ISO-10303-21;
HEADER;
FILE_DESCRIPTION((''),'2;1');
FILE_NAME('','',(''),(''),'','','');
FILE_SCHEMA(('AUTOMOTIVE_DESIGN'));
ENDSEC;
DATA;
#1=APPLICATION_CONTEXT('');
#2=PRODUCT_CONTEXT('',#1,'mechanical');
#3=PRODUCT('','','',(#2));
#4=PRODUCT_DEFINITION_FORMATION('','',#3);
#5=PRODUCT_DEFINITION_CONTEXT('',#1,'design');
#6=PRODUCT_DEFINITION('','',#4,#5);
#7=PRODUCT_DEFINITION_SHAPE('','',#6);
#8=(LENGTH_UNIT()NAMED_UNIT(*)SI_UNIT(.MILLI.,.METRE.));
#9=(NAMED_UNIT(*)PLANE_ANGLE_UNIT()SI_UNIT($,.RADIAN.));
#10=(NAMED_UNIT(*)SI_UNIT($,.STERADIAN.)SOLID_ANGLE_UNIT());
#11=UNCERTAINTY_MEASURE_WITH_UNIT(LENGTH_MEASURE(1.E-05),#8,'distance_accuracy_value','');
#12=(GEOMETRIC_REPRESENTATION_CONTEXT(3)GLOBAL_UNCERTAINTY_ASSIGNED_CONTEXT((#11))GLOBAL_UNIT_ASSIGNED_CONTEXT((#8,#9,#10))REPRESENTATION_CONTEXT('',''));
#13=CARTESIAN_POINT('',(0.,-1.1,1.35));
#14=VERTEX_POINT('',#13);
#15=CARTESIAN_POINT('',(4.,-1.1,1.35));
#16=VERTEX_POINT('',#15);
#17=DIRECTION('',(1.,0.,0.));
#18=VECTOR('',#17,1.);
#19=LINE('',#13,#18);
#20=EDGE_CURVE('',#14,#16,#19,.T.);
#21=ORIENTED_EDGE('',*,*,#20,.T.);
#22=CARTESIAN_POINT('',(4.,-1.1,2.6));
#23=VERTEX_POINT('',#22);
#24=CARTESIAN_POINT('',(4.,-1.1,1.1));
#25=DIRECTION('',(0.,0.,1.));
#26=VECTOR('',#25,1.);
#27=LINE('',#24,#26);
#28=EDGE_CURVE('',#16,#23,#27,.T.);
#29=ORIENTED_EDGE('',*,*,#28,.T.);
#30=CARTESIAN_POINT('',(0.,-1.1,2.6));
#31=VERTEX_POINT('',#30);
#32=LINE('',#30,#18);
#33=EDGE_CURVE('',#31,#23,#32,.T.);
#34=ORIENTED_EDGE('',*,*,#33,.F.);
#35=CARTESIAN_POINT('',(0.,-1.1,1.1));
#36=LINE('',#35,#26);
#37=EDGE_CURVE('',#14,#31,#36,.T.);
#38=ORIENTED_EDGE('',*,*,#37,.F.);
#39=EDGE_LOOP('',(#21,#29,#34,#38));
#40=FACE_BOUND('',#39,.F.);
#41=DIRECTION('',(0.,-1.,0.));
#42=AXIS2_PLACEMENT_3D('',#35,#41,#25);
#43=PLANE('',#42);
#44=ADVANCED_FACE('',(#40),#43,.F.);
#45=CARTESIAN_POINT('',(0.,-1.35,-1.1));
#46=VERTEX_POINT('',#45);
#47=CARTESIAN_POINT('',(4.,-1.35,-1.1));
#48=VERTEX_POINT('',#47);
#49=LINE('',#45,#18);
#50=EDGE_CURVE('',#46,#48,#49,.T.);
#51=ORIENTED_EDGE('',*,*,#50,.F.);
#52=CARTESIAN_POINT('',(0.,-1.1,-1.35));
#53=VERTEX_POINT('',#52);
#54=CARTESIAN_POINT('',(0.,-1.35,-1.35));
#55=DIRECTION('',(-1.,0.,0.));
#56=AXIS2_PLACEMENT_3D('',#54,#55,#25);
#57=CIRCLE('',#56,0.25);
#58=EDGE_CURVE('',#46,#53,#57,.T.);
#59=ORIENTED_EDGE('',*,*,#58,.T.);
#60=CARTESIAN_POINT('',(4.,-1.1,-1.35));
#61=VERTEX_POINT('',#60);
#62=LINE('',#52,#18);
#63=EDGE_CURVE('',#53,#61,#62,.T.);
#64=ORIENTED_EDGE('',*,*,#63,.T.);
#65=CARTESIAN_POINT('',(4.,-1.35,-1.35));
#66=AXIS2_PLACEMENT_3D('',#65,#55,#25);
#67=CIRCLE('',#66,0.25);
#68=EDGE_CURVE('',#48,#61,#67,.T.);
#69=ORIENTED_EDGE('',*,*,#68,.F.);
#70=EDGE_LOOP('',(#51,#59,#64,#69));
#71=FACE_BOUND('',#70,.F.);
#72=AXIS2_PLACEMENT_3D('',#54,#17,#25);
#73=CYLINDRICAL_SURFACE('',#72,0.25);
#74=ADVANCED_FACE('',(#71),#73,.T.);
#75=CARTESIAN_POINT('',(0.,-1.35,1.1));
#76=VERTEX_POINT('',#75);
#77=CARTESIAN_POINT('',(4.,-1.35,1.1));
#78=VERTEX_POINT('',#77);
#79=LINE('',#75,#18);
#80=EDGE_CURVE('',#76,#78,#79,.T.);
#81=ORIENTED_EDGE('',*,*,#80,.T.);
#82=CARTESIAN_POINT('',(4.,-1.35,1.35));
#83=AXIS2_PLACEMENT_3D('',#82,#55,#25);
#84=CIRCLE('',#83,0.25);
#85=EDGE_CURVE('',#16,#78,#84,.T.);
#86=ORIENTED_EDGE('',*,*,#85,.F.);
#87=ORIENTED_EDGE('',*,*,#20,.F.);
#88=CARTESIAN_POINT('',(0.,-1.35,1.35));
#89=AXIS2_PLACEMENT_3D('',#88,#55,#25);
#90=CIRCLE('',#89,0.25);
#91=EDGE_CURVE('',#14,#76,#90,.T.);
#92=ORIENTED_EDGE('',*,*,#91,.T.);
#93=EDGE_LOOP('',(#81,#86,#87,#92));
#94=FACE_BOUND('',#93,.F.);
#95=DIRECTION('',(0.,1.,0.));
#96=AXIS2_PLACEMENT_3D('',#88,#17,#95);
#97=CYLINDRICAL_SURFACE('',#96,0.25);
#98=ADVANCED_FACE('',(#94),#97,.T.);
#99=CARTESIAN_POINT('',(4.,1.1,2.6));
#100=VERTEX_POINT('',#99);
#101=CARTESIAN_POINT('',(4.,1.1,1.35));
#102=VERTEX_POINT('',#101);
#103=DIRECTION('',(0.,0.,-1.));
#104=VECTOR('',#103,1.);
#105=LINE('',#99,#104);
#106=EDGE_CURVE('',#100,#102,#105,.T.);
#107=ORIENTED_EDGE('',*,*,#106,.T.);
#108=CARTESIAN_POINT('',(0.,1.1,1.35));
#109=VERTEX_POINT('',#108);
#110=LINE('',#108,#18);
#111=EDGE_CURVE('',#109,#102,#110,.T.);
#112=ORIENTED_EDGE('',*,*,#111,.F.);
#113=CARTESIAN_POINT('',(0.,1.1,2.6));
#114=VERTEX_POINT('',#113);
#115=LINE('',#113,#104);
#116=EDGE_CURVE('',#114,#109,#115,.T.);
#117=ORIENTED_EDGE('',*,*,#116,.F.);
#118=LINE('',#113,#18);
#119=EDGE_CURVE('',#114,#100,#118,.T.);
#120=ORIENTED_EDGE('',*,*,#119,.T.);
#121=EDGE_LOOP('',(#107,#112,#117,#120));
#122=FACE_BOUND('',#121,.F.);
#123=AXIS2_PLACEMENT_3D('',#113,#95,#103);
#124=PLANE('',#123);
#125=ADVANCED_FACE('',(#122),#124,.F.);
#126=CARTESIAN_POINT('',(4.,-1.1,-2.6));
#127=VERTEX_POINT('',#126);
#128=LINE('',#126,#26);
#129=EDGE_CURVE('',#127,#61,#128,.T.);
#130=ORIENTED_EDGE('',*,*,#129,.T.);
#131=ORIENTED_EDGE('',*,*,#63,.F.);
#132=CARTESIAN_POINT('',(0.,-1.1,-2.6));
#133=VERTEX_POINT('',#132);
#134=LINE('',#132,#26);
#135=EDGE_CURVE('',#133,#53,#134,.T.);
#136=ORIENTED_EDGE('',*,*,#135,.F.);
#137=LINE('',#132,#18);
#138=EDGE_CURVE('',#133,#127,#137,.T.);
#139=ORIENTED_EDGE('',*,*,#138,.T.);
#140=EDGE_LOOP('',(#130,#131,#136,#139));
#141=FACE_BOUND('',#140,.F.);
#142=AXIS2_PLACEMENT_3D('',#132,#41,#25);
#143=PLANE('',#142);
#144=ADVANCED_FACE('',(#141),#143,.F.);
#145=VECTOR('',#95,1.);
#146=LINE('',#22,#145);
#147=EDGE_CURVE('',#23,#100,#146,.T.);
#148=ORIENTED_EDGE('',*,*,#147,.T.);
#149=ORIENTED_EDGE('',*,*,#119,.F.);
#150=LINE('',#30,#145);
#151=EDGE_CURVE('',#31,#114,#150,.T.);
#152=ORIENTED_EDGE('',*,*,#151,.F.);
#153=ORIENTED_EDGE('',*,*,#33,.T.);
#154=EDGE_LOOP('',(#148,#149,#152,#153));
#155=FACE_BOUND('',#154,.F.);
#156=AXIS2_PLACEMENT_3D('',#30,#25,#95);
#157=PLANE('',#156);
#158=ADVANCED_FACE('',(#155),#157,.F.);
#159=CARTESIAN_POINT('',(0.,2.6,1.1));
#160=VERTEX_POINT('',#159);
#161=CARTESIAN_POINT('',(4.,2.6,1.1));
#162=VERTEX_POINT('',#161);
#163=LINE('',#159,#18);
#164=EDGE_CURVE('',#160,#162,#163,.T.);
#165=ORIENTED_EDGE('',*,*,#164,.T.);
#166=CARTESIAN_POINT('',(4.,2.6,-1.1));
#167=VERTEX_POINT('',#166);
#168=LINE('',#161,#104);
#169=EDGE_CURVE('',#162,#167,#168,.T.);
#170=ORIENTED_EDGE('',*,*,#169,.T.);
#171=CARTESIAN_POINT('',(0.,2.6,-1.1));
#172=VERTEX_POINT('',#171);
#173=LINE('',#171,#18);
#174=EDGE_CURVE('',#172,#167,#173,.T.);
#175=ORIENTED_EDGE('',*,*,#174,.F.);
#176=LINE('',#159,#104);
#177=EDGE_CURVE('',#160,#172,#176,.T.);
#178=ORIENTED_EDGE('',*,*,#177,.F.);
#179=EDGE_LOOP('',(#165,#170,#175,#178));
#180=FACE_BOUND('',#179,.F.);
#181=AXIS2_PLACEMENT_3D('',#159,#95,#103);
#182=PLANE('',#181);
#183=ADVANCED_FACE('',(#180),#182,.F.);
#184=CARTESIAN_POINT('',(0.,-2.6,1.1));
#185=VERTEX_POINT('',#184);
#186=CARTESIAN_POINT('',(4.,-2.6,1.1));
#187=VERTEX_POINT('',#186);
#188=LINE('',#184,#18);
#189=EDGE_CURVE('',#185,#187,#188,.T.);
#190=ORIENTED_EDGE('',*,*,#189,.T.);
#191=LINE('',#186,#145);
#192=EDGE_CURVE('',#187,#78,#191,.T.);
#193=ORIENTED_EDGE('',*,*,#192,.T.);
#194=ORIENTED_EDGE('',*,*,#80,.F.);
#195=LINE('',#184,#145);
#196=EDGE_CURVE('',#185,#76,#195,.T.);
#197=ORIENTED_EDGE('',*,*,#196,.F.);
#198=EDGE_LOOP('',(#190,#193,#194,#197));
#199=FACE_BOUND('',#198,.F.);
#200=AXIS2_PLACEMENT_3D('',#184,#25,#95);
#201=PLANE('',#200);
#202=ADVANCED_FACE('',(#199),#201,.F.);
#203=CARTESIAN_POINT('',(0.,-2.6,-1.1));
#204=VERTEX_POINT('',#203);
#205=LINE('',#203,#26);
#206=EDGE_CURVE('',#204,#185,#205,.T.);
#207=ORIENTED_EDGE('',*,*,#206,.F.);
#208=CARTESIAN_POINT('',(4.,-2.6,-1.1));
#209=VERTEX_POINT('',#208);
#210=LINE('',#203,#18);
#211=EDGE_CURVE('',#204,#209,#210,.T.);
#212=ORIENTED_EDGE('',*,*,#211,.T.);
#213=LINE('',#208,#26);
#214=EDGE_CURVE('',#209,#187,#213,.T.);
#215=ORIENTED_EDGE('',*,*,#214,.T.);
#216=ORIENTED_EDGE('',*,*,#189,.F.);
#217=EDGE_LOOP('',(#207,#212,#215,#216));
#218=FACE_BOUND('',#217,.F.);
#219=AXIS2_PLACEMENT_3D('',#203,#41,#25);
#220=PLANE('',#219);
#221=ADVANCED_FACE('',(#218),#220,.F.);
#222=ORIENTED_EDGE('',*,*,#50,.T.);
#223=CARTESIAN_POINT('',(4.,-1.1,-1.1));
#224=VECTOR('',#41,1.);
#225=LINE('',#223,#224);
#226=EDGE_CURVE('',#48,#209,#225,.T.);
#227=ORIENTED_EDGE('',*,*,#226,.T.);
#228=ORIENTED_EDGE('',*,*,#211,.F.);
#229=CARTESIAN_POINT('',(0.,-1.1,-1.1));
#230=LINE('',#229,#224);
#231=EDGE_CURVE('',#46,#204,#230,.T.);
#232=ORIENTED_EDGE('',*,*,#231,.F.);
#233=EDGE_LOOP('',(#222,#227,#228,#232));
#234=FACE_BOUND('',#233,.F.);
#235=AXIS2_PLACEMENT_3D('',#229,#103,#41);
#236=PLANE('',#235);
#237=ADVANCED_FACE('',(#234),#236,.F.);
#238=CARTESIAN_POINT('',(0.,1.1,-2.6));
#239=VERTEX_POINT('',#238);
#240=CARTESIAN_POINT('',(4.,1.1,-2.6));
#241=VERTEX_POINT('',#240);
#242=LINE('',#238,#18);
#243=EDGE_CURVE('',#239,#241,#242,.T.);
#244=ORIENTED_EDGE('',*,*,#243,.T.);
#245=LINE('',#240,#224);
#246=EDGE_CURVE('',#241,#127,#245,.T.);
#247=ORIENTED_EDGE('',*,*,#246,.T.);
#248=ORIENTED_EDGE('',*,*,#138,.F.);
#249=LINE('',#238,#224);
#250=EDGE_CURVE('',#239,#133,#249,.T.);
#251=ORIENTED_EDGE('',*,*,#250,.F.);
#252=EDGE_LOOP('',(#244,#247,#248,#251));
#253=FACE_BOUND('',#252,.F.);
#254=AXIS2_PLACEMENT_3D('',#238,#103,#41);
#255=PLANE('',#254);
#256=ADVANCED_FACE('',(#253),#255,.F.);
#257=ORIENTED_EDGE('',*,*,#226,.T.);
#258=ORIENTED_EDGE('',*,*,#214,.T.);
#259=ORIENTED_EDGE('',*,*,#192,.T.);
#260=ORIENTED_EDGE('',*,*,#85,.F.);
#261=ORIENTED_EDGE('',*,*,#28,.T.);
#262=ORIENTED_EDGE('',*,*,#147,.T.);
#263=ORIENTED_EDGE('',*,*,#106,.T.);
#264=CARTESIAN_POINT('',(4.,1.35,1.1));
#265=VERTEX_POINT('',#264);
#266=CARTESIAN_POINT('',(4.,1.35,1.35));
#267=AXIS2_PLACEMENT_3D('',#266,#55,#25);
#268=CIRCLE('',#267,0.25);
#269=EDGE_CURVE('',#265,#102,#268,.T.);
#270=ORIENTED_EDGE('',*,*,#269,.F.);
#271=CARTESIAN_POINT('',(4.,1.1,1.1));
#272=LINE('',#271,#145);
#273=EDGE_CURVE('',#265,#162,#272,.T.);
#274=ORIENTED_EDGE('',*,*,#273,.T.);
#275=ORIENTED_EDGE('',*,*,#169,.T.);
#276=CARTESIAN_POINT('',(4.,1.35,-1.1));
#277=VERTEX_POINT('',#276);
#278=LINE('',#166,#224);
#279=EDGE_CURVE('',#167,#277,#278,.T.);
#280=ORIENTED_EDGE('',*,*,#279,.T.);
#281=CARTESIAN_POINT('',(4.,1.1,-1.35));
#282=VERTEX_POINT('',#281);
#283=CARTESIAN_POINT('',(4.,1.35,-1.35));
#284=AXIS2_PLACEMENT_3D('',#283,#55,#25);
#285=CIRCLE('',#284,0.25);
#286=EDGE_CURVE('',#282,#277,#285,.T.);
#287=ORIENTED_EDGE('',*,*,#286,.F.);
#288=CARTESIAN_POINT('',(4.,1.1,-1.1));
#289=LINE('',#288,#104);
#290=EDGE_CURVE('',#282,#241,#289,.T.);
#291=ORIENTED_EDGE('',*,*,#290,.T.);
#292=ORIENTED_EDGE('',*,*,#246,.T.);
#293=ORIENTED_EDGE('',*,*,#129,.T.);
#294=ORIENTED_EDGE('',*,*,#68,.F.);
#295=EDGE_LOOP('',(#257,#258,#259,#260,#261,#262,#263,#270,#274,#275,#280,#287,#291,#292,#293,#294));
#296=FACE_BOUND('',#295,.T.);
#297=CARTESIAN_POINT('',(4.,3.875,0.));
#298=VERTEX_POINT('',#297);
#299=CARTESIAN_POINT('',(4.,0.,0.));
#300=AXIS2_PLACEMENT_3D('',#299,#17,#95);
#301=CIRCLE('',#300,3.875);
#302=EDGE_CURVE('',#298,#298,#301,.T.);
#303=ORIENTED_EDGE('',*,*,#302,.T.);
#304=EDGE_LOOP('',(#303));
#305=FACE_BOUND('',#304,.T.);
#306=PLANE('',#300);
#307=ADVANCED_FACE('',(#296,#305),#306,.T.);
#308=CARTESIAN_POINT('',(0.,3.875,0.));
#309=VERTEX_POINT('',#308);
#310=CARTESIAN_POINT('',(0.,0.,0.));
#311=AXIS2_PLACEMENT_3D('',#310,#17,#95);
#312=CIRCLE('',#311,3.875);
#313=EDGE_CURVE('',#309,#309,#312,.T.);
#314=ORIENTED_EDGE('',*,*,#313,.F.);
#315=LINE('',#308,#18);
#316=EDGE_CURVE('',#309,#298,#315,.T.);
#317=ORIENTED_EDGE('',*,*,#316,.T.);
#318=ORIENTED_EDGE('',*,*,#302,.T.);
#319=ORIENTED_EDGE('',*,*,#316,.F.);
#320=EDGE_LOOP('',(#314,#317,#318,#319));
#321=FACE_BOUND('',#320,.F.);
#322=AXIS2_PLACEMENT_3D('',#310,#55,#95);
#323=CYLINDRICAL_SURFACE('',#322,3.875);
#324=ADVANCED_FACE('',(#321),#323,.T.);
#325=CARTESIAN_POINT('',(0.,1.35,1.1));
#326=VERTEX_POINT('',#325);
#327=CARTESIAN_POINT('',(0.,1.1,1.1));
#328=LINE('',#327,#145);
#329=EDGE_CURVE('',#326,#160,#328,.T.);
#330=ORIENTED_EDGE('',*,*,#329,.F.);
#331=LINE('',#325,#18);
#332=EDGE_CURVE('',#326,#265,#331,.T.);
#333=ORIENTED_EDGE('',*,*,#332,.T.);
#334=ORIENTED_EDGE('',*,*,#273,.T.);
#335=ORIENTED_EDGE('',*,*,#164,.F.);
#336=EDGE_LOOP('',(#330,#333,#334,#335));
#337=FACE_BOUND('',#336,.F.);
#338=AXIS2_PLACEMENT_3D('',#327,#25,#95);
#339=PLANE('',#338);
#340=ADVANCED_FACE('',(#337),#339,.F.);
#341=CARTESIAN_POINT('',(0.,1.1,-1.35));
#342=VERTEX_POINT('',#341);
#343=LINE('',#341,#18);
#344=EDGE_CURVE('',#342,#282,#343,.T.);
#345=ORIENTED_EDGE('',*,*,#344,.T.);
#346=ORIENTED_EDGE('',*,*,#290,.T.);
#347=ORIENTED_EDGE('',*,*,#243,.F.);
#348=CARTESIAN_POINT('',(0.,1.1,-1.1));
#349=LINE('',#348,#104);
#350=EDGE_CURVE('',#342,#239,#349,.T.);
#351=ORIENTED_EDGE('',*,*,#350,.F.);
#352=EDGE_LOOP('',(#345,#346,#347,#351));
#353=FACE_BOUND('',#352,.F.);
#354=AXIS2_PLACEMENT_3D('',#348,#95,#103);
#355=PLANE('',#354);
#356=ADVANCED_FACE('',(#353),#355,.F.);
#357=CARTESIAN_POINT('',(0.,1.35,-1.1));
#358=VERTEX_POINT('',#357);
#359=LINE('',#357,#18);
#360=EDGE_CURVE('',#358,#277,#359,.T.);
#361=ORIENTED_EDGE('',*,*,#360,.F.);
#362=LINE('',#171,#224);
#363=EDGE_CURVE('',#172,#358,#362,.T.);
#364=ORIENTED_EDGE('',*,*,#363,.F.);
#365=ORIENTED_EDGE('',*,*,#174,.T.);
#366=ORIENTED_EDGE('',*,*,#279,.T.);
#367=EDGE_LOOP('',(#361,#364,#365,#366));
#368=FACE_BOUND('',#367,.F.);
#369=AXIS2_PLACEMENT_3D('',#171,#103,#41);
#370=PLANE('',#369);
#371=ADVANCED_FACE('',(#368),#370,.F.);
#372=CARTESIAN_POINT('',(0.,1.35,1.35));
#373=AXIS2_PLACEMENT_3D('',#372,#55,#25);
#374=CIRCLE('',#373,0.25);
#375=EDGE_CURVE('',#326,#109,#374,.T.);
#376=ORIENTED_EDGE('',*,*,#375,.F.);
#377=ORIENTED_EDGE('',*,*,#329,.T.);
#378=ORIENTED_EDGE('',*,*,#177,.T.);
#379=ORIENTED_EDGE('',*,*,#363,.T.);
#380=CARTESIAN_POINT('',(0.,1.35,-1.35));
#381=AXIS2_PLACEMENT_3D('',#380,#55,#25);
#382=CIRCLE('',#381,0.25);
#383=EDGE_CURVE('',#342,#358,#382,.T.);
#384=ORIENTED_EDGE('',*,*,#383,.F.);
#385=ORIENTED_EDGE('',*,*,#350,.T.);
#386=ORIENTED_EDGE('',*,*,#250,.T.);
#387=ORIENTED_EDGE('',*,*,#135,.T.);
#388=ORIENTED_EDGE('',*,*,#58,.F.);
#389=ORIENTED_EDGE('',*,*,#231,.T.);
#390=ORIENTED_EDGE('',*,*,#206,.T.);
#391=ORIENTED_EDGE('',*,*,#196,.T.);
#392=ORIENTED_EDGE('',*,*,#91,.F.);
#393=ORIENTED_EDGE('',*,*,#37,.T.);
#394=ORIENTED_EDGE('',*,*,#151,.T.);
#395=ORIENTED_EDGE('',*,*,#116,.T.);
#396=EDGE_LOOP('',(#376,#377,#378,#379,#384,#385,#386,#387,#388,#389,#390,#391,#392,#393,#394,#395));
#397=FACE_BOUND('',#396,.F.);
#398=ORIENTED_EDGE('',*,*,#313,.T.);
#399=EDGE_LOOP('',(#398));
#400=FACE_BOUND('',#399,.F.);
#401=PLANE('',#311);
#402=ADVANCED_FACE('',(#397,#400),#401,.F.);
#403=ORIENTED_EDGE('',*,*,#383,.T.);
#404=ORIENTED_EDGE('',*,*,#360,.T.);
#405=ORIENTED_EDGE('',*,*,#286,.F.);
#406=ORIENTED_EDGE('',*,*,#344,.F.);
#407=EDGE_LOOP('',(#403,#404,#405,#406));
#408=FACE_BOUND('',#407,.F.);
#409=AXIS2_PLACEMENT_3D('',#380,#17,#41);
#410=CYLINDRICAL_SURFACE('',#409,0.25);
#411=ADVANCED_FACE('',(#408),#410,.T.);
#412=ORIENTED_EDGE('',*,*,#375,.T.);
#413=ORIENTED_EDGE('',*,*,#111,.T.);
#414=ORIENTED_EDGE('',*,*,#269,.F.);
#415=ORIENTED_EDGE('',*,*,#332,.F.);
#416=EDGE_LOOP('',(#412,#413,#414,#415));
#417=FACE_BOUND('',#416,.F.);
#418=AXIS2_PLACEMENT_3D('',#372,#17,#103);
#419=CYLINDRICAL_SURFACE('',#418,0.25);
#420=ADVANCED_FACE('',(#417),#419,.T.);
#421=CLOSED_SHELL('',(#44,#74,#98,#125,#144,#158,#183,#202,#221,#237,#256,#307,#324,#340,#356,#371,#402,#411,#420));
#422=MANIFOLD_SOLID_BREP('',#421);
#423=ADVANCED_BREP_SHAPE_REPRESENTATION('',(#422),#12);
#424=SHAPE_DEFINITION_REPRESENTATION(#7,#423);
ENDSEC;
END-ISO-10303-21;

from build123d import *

# Parameters (mm, degrees)
F0_R     = 3.875
F1_DEPTH = 4
F2_R     = 0.25


with BuildPart() as f1:
    # F0 (on Right) → F1 (new body)
    with BuildSketch(Plane.YZ):
        Circle(F0_R)
        Polygon((-1.1, 2.6), (1.1, 2.6), (1.1, 1.1), (2.6, 1.1), (2.6, -1.1), (1.1, -1.1), (1.1, -2.6), (-1.1, -2.6), (-1.1, -1.1), (-2.6, -1.1), (-2.6, 1.1), (-1.1, 1.1), align=None, mode=Mode.SUBTRACT)
    extrude(amount=F1_DEPTH)

    # F2
    f2_edges = [f1.edges().sort_by_distance(p)[0] for p in [
        (2, 1.1, -1.1),
        (2, 1.1, 1.1),
        (2, -1.1, -1.1),
        (2, -1.1, 1.1),
    ]]
    fillet(f2_edges, radius=F2_R)


solid = f1.part
